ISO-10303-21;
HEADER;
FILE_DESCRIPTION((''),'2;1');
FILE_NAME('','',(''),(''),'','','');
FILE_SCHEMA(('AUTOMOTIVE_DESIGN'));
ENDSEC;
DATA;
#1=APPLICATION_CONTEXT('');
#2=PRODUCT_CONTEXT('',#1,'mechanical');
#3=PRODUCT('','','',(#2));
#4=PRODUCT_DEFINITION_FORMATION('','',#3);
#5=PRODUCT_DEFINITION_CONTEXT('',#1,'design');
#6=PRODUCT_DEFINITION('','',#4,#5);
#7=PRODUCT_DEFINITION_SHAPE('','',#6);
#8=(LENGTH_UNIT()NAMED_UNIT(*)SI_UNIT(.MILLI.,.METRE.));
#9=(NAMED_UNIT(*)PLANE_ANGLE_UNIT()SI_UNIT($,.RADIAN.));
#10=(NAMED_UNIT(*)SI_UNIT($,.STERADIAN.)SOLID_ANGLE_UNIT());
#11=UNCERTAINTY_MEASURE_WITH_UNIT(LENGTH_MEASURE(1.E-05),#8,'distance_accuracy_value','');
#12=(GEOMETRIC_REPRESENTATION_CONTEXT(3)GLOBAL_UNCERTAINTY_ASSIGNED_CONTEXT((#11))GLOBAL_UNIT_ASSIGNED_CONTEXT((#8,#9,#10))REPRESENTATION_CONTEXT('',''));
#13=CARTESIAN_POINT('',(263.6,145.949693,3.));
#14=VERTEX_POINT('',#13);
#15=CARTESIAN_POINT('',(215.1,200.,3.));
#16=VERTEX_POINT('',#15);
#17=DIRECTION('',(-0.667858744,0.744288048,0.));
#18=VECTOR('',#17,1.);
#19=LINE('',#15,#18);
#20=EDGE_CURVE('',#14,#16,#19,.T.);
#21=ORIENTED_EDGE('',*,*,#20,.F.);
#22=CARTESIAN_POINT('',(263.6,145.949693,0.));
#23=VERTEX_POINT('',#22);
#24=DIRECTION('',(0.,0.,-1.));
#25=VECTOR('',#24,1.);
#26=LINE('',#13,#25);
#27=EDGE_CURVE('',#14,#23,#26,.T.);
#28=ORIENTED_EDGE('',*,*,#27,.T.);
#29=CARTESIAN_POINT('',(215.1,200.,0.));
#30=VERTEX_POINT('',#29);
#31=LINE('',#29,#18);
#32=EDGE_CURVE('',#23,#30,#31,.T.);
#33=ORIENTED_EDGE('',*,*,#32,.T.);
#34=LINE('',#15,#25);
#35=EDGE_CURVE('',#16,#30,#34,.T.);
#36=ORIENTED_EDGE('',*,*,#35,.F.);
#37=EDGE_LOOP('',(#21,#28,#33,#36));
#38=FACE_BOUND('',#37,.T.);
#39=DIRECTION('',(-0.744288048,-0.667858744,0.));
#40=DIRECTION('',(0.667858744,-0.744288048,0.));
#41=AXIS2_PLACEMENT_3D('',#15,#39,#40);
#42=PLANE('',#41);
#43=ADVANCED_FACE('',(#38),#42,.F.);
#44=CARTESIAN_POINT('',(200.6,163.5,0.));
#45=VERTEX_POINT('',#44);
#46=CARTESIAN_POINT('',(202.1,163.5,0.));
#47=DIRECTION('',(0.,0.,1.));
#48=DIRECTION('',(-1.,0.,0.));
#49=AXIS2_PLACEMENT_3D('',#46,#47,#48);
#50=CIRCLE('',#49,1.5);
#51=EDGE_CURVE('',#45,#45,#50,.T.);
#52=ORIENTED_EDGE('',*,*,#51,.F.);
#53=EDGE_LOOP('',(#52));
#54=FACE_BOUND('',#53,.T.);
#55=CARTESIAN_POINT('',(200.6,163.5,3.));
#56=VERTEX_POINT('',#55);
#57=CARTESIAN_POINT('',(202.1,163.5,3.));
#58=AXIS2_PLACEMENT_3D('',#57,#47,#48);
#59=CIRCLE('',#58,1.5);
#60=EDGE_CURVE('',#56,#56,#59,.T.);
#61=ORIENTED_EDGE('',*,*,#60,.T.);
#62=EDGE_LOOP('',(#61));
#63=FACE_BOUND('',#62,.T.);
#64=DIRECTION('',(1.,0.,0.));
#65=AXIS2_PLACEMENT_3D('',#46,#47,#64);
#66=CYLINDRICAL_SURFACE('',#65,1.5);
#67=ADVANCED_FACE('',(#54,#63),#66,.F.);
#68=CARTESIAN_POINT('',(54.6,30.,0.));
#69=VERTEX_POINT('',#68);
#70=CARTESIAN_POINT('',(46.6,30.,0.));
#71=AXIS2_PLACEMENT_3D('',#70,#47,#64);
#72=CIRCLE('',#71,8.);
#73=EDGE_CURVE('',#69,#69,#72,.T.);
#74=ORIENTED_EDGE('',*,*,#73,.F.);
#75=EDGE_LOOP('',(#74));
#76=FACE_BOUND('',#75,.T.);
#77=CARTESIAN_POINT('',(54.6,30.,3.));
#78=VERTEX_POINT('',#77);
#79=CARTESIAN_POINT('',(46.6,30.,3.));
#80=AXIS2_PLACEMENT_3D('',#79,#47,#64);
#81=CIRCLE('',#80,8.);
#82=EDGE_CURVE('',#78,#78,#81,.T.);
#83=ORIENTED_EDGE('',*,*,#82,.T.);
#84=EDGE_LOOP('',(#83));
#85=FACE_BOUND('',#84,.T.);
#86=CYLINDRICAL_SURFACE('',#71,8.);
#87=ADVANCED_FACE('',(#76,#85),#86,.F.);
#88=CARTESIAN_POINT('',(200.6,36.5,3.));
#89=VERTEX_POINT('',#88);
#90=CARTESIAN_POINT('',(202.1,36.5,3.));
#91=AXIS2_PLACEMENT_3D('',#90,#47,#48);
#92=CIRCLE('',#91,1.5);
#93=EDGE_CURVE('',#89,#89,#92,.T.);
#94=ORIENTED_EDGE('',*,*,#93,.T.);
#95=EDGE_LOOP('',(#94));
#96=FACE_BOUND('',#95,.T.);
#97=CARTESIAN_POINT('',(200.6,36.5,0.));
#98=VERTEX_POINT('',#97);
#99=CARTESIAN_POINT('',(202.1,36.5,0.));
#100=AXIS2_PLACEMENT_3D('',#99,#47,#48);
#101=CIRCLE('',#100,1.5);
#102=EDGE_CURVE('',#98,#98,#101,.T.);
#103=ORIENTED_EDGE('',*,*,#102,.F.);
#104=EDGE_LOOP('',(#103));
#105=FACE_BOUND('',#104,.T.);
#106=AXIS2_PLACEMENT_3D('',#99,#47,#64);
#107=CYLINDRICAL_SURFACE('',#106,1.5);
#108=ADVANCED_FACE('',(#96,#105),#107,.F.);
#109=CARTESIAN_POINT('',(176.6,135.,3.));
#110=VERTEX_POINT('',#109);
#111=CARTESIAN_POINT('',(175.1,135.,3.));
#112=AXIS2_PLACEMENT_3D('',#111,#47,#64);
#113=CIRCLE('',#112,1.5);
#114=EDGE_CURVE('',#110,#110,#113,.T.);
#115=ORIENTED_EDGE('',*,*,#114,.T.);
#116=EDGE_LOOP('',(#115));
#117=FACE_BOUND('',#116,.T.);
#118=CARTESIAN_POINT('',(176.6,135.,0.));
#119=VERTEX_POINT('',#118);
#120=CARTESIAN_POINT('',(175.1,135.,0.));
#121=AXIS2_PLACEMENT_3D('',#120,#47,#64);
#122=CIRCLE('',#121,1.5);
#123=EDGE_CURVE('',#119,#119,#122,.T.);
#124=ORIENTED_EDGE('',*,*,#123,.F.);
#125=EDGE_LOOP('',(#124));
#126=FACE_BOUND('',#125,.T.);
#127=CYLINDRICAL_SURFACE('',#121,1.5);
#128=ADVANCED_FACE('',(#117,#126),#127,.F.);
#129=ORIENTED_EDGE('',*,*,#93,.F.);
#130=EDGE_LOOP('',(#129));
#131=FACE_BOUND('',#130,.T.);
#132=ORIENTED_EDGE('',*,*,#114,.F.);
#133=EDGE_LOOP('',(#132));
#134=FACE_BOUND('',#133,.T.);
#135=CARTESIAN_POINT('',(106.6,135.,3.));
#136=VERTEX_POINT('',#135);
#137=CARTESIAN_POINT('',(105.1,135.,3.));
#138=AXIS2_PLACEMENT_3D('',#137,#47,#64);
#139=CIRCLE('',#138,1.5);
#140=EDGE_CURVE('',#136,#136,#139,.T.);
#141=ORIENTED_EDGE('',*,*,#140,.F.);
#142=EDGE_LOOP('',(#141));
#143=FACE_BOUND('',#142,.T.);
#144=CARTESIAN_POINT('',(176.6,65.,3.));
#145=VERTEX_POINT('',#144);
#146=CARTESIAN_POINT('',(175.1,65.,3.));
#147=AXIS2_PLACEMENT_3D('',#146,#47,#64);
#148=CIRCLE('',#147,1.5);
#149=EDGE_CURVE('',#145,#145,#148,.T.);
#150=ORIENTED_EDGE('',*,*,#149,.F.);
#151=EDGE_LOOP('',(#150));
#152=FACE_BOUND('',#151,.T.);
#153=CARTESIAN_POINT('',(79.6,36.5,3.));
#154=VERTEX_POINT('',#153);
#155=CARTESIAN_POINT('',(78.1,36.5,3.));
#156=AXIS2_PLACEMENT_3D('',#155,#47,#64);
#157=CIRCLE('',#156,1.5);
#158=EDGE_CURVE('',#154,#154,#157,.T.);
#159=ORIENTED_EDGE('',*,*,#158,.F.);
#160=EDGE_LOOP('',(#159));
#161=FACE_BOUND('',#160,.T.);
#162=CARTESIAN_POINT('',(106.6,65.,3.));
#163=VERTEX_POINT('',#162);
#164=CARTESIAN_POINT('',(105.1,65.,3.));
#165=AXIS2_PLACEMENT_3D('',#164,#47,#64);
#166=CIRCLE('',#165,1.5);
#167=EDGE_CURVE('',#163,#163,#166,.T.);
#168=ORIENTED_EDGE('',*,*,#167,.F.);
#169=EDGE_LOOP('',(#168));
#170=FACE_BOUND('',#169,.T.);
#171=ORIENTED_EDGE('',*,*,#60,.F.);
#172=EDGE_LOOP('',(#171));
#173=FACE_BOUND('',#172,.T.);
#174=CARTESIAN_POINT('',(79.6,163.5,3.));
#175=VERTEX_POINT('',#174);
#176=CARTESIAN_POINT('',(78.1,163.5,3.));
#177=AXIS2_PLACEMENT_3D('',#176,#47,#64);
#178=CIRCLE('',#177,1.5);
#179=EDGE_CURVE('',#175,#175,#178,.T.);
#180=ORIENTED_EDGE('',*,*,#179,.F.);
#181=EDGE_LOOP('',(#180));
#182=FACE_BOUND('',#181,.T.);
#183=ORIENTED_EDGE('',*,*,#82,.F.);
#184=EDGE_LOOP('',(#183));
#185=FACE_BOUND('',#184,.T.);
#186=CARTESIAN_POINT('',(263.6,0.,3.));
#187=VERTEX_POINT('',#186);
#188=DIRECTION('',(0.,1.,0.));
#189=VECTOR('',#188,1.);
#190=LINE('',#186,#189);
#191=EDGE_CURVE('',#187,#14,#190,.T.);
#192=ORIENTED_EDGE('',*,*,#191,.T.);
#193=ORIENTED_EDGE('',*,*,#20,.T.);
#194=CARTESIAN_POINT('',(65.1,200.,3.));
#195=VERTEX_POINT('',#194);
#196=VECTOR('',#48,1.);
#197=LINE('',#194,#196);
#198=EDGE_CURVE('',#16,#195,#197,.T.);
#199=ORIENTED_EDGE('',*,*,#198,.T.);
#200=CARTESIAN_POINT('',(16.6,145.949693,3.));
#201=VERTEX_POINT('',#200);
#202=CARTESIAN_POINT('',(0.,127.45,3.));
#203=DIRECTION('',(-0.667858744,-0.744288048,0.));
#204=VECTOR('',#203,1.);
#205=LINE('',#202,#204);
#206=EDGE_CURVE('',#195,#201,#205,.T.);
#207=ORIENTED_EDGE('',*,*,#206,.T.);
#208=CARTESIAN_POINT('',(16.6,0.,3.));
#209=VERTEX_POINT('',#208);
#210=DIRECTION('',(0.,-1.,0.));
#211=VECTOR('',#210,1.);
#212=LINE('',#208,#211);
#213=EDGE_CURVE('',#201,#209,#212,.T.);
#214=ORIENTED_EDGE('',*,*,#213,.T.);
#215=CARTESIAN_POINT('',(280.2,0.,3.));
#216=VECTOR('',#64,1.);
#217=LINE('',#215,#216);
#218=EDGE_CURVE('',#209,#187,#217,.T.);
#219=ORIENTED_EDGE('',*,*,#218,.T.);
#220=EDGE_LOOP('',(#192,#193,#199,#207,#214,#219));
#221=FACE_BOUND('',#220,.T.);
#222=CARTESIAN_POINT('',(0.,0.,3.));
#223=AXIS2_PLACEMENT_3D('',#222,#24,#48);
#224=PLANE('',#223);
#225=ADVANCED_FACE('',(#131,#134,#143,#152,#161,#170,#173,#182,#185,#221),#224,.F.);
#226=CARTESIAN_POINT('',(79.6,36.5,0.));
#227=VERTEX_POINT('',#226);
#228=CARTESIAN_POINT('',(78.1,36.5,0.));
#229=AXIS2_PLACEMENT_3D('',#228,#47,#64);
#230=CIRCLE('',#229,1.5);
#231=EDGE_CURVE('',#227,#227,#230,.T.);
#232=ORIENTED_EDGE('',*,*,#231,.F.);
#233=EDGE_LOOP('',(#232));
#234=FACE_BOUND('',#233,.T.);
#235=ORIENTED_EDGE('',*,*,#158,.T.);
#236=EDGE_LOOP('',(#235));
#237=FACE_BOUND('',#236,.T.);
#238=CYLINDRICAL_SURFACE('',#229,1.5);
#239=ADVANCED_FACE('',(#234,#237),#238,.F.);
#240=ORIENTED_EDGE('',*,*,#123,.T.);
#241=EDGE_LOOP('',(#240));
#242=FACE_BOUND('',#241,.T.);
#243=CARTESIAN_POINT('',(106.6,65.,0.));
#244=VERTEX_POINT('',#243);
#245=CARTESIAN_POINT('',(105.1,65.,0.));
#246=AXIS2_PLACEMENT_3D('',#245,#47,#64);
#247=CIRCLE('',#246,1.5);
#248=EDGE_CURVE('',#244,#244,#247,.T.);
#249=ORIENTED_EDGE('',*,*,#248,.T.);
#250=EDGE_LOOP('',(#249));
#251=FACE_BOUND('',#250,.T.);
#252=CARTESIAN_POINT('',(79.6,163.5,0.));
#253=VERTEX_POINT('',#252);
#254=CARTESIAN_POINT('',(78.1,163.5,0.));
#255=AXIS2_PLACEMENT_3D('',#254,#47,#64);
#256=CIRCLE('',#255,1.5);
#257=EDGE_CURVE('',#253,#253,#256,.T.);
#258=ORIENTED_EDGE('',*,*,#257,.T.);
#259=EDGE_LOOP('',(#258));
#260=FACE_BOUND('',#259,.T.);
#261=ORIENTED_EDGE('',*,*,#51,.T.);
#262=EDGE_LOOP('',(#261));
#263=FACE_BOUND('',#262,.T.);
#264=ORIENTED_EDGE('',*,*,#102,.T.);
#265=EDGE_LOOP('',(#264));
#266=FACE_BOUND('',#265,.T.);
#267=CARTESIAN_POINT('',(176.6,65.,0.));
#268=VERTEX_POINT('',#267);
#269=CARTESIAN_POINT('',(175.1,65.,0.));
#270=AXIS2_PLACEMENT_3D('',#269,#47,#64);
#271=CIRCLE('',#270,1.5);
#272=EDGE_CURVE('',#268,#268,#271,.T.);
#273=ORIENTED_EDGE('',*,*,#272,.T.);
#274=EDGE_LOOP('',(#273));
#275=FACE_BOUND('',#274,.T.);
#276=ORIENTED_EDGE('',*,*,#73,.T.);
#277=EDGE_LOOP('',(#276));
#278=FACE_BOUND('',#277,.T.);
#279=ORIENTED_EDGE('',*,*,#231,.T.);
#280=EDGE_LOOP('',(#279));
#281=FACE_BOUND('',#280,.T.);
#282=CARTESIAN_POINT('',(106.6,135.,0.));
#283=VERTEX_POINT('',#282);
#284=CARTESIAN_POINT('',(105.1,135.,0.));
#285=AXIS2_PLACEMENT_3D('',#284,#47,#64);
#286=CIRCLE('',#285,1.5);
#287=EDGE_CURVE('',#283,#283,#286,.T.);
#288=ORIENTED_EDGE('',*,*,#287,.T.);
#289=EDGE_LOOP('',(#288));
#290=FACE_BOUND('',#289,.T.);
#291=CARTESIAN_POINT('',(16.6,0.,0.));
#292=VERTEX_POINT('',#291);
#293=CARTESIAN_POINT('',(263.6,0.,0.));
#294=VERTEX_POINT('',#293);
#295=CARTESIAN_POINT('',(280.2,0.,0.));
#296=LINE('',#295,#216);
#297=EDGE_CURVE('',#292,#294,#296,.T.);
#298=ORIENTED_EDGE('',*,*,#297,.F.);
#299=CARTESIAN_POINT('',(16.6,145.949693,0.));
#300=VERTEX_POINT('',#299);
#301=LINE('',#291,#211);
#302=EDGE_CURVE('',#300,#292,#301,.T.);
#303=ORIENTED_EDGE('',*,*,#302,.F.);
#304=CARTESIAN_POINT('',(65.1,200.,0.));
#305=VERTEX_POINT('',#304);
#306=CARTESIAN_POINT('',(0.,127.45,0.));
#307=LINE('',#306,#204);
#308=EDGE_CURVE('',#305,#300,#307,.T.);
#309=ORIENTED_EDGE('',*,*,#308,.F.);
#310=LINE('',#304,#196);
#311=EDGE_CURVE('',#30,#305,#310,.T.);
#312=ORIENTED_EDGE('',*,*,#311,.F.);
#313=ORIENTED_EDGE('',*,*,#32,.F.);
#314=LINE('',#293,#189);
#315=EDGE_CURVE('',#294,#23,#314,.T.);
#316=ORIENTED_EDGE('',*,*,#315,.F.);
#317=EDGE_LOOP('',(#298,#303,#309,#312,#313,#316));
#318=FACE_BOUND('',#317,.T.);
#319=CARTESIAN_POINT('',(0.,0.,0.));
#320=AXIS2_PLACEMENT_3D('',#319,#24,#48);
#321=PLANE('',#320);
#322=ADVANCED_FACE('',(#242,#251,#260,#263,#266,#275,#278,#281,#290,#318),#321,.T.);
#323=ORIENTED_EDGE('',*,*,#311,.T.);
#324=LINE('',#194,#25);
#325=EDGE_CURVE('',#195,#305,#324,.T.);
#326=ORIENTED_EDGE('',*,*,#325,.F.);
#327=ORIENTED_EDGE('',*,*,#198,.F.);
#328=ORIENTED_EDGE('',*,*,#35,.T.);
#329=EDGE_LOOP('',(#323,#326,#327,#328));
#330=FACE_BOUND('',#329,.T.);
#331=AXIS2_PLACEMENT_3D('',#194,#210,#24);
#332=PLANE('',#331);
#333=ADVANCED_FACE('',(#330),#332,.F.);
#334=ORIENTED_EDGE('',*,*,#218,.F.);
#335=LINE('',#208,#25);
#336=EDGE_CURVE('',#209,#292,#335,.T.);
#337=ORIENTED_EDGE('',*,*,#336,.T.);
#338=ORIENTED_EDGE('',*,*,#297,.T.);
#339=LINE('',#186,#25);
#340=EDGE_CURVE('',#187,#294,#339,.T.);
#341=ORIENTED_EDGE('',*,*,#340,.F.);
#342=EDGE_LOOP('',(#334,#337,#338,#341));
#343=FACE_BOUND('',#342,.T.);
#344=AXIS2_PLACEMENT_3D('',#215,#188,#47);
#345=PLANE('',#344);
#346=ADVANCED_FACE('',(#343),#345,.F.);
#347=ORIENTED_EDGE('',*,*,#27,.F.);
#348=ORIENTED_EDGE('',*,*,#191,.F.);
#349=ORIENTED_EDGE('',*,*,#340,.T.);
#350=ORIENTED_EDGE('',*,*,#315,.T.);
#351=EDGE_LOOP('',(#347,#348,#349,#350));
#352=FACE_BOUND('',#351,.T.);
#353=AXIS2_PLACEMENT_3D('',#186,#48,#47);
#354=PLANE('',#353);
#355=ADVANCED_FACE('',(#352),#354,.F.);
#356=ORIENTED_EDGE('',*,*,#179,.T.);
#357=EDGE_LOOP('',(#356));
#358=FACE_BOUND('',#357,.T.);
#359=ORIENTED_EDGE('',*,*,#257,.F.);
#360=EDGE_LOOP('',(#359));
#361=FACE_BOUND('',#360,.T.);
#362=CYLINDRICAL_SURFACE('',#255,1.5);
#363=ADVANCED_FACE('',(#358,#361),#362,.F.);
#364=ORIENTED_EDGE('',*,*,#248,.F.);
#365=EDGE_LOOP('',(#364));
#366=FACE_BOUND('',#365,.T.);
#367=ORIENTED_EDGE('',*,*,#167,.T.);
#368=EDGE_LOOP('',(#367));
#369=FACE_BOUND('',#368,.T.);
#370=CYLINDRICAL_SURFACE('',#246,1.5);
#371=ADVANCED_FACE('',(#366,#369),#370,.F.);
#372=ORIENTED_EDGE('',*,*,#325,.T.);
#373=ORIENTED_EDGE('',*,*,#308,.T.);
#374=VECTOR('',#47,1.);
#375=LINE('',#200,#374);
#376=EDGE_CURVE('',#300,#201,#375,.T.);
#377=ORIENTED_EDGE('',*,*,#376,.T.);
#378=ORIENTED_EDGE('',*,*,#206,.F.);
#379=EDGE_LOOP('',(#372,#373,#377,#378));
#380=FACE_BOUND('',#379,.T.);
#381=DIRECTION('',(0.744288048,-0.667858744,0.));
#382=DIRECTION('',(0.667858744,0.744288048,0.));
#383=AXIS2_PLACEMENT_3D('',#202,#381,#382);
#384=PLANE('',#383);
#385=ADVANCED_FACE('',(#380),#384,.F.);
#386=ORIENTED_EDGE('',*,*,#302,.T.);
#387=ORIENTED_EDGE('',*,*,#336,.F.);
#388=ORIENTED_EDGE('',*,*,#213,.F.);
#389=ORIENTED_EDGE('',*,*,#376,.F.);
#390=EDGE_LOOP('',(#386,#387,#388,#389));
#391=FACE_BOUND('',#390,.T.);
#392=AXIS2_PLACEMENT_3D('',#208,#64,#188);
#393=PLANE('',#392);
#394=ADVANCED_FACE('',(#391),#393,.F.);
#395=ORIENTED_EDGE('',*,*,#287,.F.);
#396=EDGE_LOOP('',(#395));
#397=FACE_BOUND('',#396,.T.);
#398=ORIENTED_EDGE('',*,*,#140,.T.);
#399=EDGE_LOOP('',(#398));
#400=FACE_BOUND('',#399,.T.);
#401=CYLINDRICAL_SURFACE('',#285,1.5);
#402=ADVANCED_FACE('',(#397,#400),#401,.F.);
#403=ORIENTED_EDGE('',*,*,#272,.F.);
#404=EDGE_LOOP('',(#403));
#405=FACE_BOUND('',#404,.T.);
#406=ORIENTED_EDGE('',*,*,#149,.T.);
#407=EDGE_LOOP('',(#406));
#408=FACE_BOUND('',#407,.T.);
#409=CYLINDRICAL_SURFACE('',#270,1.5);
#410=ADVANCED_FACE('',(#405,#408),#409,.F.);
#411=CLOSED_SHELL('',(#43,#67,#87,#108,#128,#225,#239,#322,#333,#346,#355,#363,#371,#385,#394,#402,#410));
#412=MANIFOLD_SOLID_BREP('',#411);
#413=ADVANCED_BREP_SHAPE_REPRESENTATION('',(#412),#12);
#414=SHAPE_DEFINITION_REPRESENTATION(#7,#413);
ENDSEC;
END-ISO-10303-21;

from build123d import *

# Parameters (mm, degrees)
BOSS_EXTRU_1_DEPTH      = 3
ENL_V_MAT_EXTRU_1_DEPTH = 345.268848431
ESQUISSE3_R             = 1.5
ENL_V_MAT_EXTRU_2_DEPTH = 331.898715622
ESQUISSE4_R             = 8
ENL_V_MAT_EXTRU_3_DEPTH = 331.898715622
ESQUISSE5_R             = 1.5
ENL_V_MAT_EXTRU_4_DEPTH = 331.898715622


with BuildPart() as part:
    # Esquisse1 → Boss.-Extru.1 (new body)
    with BuildSketch(Plane.XY):
        Polygon((0, 0), (0, 127.45), (65.1, 200), (215.1, 200), (280.2, 127.45), (280.2, 0), align=None)
    extrude(amount=BOSS_EXTRU_1_DEPTH)

    # Esquisse2 → Enlèv. mat.-Extru.1 (cut, through all)
    with BuildSketch(Plane(origin=(0, 0, 0), x_dir=(-1, 0, 0), z_dir=(0, 0, -1))):
        Polygon((-16.6, 0), (-16.6, 145.969439351), (0, 127.45), (0, 0), align=None)
        Polygon((-280.2, 127.45), (-263.6, 145.969439351), (-263.6, 0), (-280.2, 0), align=None)
    extrude(amount=-ENL_V_MAT_EXTRU_1_DEPTH, mode=Mode.SUBTRACT)

    # Esquisse3 → Enlèv. mat.-Extru.2 (cut, through all)
    with BuildSketch(Plane.XY.offset(3)):
        with Locations((78.1, 163.5)):
            Circle(ESQUISSE3_R)
        with Locations((78.1, 36.5)):
            Circle(ESQUISSE3_R)
        with Locations(Location((202.1, 36.5, 0), (0, 0, 180))):
            Circle(ESQUISSE3_R)
        with Locations(Location((202.1, 163.5, 0), (0, 0, 180))):
            Circle(ESQUISSE3_R)
    extrude(amount=-ENL_V_MAT_EXTRU_2_DEPTH, mode=Mode.SUBTRACT)

    # Esquisse4 → Enlèv. mat.-Extru.3 (cut, through all)
    with BuildSketch(Plane.XY.offset(3)):
        with Locations((46.6, 30)):
            Circle(ESQUISSE4_R)
    extrude(amount=-ENL_V_MAT_EXTRU_3_DEPTH, mode=Mode.SUBTRACT)

    # Esquisse5 → Enlèv. mat.-Extru.4 (cut, through all)
    with BuildSketch(Plane.XY.offset(3)):
        with Locations((105.1, 65)):
            Circle(ESQUISSE5_R)
        with Locations((105.1, 135)):
            Circle(ESQUISSE5_R)
        with Locations((175.1, 135)):
            Circle(ESQUISSE5_R)
        with Locations((175.1, 65)):
            Circle(ESQUISSE5_R)
    extrude(amount=-ENL_V_MAT_EXTRU_4_DEPTH, mode=Mode.SUBTRACT)


solid = part.part
